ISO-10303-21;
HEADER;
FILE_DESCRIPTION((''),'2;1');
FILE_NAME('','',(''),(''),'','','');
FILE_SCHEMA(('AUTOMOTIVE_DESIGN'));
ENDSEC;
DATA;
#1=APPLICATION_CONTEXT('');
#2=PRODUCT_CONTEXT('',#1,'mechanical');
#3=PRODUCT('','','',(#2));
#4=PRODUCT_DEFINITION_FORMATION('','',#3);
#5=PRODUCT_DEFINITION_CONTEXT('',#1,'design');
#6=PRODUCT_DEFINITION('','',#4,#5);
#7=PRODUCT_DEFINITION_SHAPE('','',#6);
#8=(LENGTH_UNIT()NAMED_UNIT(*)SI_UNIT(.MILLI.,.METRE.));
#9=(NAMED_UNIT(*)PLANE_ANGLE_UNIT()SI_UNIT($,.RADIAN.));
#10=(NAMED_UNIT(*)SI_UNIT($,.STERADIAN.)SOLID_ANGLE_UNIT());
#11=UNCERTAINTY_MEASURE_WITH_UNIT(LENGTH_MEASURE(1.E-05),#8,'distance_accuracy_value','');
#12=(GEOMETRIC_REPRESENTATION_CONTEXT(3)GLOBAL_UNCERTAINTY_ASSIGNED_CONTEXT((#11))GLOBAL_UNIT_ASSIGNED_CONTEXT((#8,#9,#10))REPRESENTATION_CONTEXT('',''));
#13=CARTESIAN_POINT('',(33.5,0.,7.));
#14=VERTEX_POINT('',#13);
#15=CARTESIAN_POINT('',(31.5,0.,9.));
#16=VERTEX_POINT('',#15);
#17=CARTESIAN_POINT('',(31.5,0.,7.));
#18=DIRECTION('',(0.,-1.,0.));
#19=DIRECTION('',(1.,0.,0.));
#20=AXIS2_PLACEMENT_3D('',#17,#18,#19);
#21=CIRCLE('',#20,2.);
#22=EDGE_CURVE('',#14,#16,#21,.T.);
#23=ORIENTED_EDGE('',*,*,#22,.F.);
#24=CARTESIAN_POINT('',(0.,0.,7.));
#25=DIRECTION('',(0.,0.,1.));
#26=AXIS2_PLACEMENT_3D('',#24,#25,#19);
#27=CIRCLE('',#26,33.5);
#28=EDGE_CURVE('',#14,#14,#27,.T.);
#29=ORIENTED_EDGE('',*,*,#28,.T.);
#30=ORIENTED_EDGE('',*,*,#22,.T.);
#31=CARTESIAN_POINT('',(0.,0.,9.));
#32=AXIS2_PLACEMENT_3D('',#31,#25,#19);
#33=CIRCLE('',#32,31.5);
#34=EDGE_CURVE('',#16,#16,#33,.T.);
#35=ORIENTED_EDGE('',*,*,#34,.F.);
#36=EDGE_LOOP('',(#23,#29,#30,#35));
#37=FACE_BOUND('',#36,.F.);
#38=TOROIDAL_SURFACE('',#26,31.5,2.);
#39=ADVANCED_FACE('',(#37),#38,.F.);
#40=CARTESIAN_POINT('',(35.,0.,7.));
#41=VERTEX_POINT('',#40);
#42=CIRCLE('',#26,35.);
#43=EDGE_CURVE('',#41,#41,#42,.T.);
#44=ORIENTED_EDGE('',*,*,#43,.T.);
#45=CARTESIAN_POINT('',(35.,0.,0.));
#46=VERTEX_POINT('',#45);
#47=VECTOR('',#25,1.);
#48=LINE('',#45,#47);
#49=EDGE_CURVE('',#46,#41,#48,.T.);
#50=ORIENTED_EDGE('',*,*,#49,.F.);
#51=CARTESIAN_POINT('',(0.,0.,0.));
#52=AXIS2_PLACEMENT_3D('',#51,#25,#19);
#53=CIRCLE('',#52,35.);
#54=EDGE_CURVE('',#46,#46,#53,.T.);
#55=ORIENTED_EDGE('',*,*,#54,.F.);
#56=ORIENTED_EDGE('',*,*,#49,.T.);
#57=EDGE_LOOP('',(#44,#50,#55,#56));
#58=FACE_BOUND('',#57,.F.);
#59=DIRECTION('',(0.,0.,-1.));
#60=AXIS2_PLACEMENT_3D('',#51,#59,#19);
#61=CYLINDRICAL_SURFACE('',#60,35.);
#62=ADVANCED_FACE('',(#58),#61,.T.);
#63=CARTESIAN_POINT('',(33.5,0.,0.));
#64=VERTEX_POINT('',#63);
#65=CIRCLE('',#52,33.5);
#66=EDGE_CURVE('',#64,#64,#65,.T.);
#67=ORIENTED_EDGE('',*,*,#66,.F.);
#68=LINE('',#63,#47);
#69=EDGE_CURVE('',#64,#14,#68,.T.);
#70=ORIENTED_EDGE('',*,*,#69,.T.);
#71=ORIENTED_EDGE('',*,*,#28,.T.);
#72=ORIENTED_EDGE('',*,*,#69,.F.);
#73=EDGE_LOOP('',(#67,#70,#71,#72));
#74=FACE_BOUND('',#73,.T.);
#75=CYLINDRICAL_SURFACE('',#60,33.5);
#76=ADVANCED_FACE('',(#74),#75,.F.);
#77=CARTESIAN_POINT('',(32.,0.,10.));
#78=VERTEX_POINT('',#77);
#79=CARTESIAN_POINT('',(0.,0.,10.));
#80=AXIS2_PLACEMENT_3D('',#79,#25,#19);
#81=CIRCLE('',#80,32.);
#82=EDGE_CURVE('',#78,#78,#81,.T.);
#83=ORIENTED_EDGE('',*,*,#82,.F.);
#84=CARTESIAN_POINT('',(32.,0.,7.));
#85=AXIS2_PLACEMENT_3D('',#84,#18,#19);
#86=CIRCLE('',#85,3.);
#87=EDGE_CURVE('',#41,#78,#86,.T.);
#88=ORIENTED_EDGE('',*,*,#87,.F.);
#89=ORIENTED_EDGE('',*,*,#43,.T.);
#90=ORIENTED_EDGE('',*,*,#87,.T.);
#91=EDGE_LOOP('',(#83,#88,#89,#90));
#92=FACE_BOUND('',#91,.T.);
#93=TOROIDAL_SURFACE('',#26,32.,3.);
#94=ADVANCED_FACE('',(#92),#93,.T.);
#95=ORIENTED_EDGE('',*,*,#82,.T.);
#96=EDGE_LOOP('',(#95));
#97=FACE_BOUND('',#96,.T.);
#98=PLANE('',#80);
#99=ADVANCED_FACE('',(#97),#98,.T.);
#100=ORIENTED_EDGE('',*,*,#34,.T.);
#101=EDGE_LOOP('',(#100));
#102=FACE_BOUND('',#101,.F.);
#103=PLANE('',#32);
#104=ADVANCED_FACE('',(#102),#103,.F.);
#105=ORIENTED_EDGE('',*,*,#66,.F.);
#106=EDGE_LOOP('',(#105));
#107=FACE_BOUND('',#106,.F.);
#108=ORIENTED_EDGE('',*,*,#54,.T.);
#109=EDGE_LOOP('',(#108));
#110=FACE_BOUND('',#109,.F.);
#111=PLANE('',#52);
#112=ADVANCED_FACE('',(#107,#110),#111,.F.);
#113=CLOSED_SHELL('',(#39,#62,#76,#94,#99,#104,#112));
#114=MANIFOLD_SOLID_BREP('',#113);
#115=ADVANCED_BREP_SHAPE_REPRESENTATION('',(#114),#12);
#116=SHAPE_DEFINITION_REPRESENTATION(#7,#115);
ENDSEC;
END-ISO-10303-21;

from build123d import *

# Parameters (mm, degrees)
SKETCH001_R  = 35
PAD_DEPTH    = 10
FILLET_R     = 3
SKETCH_R     = 33.5
POCKET_DEPTH = 9
FILLET001_R  = 2


with BuildPart() as part:
    # Sketch001 → Pad (new body)
    with BuildSketch(Plane.XY):
        Circle(SKETCH001_R)
    extrude(amount=PAD_DEPTH)

    # Fillet
    fillet_edges = [part.edges().sort_by_distance(p)[0] for p in [
        (-35, 0, 10),
    ]]
    fillet(fillet_edges, radius=FILLET_R)

    # Sketch → Pocket (cut)
    with BuildSketch(Plane.XY):
        Circle(SKETCH_R)
    extrude(amount=POCKET_DEPTH, mode=Mode.SUBTRACT)

    # Fillet001
    fillet001_edges = [part.edges().sort_by_distance(p)[0] for p in [
        (-33.5, 0, 9),
    ]]
    fillet(fillet001_edges, radius=FILLET001_R)


solid = part.part
